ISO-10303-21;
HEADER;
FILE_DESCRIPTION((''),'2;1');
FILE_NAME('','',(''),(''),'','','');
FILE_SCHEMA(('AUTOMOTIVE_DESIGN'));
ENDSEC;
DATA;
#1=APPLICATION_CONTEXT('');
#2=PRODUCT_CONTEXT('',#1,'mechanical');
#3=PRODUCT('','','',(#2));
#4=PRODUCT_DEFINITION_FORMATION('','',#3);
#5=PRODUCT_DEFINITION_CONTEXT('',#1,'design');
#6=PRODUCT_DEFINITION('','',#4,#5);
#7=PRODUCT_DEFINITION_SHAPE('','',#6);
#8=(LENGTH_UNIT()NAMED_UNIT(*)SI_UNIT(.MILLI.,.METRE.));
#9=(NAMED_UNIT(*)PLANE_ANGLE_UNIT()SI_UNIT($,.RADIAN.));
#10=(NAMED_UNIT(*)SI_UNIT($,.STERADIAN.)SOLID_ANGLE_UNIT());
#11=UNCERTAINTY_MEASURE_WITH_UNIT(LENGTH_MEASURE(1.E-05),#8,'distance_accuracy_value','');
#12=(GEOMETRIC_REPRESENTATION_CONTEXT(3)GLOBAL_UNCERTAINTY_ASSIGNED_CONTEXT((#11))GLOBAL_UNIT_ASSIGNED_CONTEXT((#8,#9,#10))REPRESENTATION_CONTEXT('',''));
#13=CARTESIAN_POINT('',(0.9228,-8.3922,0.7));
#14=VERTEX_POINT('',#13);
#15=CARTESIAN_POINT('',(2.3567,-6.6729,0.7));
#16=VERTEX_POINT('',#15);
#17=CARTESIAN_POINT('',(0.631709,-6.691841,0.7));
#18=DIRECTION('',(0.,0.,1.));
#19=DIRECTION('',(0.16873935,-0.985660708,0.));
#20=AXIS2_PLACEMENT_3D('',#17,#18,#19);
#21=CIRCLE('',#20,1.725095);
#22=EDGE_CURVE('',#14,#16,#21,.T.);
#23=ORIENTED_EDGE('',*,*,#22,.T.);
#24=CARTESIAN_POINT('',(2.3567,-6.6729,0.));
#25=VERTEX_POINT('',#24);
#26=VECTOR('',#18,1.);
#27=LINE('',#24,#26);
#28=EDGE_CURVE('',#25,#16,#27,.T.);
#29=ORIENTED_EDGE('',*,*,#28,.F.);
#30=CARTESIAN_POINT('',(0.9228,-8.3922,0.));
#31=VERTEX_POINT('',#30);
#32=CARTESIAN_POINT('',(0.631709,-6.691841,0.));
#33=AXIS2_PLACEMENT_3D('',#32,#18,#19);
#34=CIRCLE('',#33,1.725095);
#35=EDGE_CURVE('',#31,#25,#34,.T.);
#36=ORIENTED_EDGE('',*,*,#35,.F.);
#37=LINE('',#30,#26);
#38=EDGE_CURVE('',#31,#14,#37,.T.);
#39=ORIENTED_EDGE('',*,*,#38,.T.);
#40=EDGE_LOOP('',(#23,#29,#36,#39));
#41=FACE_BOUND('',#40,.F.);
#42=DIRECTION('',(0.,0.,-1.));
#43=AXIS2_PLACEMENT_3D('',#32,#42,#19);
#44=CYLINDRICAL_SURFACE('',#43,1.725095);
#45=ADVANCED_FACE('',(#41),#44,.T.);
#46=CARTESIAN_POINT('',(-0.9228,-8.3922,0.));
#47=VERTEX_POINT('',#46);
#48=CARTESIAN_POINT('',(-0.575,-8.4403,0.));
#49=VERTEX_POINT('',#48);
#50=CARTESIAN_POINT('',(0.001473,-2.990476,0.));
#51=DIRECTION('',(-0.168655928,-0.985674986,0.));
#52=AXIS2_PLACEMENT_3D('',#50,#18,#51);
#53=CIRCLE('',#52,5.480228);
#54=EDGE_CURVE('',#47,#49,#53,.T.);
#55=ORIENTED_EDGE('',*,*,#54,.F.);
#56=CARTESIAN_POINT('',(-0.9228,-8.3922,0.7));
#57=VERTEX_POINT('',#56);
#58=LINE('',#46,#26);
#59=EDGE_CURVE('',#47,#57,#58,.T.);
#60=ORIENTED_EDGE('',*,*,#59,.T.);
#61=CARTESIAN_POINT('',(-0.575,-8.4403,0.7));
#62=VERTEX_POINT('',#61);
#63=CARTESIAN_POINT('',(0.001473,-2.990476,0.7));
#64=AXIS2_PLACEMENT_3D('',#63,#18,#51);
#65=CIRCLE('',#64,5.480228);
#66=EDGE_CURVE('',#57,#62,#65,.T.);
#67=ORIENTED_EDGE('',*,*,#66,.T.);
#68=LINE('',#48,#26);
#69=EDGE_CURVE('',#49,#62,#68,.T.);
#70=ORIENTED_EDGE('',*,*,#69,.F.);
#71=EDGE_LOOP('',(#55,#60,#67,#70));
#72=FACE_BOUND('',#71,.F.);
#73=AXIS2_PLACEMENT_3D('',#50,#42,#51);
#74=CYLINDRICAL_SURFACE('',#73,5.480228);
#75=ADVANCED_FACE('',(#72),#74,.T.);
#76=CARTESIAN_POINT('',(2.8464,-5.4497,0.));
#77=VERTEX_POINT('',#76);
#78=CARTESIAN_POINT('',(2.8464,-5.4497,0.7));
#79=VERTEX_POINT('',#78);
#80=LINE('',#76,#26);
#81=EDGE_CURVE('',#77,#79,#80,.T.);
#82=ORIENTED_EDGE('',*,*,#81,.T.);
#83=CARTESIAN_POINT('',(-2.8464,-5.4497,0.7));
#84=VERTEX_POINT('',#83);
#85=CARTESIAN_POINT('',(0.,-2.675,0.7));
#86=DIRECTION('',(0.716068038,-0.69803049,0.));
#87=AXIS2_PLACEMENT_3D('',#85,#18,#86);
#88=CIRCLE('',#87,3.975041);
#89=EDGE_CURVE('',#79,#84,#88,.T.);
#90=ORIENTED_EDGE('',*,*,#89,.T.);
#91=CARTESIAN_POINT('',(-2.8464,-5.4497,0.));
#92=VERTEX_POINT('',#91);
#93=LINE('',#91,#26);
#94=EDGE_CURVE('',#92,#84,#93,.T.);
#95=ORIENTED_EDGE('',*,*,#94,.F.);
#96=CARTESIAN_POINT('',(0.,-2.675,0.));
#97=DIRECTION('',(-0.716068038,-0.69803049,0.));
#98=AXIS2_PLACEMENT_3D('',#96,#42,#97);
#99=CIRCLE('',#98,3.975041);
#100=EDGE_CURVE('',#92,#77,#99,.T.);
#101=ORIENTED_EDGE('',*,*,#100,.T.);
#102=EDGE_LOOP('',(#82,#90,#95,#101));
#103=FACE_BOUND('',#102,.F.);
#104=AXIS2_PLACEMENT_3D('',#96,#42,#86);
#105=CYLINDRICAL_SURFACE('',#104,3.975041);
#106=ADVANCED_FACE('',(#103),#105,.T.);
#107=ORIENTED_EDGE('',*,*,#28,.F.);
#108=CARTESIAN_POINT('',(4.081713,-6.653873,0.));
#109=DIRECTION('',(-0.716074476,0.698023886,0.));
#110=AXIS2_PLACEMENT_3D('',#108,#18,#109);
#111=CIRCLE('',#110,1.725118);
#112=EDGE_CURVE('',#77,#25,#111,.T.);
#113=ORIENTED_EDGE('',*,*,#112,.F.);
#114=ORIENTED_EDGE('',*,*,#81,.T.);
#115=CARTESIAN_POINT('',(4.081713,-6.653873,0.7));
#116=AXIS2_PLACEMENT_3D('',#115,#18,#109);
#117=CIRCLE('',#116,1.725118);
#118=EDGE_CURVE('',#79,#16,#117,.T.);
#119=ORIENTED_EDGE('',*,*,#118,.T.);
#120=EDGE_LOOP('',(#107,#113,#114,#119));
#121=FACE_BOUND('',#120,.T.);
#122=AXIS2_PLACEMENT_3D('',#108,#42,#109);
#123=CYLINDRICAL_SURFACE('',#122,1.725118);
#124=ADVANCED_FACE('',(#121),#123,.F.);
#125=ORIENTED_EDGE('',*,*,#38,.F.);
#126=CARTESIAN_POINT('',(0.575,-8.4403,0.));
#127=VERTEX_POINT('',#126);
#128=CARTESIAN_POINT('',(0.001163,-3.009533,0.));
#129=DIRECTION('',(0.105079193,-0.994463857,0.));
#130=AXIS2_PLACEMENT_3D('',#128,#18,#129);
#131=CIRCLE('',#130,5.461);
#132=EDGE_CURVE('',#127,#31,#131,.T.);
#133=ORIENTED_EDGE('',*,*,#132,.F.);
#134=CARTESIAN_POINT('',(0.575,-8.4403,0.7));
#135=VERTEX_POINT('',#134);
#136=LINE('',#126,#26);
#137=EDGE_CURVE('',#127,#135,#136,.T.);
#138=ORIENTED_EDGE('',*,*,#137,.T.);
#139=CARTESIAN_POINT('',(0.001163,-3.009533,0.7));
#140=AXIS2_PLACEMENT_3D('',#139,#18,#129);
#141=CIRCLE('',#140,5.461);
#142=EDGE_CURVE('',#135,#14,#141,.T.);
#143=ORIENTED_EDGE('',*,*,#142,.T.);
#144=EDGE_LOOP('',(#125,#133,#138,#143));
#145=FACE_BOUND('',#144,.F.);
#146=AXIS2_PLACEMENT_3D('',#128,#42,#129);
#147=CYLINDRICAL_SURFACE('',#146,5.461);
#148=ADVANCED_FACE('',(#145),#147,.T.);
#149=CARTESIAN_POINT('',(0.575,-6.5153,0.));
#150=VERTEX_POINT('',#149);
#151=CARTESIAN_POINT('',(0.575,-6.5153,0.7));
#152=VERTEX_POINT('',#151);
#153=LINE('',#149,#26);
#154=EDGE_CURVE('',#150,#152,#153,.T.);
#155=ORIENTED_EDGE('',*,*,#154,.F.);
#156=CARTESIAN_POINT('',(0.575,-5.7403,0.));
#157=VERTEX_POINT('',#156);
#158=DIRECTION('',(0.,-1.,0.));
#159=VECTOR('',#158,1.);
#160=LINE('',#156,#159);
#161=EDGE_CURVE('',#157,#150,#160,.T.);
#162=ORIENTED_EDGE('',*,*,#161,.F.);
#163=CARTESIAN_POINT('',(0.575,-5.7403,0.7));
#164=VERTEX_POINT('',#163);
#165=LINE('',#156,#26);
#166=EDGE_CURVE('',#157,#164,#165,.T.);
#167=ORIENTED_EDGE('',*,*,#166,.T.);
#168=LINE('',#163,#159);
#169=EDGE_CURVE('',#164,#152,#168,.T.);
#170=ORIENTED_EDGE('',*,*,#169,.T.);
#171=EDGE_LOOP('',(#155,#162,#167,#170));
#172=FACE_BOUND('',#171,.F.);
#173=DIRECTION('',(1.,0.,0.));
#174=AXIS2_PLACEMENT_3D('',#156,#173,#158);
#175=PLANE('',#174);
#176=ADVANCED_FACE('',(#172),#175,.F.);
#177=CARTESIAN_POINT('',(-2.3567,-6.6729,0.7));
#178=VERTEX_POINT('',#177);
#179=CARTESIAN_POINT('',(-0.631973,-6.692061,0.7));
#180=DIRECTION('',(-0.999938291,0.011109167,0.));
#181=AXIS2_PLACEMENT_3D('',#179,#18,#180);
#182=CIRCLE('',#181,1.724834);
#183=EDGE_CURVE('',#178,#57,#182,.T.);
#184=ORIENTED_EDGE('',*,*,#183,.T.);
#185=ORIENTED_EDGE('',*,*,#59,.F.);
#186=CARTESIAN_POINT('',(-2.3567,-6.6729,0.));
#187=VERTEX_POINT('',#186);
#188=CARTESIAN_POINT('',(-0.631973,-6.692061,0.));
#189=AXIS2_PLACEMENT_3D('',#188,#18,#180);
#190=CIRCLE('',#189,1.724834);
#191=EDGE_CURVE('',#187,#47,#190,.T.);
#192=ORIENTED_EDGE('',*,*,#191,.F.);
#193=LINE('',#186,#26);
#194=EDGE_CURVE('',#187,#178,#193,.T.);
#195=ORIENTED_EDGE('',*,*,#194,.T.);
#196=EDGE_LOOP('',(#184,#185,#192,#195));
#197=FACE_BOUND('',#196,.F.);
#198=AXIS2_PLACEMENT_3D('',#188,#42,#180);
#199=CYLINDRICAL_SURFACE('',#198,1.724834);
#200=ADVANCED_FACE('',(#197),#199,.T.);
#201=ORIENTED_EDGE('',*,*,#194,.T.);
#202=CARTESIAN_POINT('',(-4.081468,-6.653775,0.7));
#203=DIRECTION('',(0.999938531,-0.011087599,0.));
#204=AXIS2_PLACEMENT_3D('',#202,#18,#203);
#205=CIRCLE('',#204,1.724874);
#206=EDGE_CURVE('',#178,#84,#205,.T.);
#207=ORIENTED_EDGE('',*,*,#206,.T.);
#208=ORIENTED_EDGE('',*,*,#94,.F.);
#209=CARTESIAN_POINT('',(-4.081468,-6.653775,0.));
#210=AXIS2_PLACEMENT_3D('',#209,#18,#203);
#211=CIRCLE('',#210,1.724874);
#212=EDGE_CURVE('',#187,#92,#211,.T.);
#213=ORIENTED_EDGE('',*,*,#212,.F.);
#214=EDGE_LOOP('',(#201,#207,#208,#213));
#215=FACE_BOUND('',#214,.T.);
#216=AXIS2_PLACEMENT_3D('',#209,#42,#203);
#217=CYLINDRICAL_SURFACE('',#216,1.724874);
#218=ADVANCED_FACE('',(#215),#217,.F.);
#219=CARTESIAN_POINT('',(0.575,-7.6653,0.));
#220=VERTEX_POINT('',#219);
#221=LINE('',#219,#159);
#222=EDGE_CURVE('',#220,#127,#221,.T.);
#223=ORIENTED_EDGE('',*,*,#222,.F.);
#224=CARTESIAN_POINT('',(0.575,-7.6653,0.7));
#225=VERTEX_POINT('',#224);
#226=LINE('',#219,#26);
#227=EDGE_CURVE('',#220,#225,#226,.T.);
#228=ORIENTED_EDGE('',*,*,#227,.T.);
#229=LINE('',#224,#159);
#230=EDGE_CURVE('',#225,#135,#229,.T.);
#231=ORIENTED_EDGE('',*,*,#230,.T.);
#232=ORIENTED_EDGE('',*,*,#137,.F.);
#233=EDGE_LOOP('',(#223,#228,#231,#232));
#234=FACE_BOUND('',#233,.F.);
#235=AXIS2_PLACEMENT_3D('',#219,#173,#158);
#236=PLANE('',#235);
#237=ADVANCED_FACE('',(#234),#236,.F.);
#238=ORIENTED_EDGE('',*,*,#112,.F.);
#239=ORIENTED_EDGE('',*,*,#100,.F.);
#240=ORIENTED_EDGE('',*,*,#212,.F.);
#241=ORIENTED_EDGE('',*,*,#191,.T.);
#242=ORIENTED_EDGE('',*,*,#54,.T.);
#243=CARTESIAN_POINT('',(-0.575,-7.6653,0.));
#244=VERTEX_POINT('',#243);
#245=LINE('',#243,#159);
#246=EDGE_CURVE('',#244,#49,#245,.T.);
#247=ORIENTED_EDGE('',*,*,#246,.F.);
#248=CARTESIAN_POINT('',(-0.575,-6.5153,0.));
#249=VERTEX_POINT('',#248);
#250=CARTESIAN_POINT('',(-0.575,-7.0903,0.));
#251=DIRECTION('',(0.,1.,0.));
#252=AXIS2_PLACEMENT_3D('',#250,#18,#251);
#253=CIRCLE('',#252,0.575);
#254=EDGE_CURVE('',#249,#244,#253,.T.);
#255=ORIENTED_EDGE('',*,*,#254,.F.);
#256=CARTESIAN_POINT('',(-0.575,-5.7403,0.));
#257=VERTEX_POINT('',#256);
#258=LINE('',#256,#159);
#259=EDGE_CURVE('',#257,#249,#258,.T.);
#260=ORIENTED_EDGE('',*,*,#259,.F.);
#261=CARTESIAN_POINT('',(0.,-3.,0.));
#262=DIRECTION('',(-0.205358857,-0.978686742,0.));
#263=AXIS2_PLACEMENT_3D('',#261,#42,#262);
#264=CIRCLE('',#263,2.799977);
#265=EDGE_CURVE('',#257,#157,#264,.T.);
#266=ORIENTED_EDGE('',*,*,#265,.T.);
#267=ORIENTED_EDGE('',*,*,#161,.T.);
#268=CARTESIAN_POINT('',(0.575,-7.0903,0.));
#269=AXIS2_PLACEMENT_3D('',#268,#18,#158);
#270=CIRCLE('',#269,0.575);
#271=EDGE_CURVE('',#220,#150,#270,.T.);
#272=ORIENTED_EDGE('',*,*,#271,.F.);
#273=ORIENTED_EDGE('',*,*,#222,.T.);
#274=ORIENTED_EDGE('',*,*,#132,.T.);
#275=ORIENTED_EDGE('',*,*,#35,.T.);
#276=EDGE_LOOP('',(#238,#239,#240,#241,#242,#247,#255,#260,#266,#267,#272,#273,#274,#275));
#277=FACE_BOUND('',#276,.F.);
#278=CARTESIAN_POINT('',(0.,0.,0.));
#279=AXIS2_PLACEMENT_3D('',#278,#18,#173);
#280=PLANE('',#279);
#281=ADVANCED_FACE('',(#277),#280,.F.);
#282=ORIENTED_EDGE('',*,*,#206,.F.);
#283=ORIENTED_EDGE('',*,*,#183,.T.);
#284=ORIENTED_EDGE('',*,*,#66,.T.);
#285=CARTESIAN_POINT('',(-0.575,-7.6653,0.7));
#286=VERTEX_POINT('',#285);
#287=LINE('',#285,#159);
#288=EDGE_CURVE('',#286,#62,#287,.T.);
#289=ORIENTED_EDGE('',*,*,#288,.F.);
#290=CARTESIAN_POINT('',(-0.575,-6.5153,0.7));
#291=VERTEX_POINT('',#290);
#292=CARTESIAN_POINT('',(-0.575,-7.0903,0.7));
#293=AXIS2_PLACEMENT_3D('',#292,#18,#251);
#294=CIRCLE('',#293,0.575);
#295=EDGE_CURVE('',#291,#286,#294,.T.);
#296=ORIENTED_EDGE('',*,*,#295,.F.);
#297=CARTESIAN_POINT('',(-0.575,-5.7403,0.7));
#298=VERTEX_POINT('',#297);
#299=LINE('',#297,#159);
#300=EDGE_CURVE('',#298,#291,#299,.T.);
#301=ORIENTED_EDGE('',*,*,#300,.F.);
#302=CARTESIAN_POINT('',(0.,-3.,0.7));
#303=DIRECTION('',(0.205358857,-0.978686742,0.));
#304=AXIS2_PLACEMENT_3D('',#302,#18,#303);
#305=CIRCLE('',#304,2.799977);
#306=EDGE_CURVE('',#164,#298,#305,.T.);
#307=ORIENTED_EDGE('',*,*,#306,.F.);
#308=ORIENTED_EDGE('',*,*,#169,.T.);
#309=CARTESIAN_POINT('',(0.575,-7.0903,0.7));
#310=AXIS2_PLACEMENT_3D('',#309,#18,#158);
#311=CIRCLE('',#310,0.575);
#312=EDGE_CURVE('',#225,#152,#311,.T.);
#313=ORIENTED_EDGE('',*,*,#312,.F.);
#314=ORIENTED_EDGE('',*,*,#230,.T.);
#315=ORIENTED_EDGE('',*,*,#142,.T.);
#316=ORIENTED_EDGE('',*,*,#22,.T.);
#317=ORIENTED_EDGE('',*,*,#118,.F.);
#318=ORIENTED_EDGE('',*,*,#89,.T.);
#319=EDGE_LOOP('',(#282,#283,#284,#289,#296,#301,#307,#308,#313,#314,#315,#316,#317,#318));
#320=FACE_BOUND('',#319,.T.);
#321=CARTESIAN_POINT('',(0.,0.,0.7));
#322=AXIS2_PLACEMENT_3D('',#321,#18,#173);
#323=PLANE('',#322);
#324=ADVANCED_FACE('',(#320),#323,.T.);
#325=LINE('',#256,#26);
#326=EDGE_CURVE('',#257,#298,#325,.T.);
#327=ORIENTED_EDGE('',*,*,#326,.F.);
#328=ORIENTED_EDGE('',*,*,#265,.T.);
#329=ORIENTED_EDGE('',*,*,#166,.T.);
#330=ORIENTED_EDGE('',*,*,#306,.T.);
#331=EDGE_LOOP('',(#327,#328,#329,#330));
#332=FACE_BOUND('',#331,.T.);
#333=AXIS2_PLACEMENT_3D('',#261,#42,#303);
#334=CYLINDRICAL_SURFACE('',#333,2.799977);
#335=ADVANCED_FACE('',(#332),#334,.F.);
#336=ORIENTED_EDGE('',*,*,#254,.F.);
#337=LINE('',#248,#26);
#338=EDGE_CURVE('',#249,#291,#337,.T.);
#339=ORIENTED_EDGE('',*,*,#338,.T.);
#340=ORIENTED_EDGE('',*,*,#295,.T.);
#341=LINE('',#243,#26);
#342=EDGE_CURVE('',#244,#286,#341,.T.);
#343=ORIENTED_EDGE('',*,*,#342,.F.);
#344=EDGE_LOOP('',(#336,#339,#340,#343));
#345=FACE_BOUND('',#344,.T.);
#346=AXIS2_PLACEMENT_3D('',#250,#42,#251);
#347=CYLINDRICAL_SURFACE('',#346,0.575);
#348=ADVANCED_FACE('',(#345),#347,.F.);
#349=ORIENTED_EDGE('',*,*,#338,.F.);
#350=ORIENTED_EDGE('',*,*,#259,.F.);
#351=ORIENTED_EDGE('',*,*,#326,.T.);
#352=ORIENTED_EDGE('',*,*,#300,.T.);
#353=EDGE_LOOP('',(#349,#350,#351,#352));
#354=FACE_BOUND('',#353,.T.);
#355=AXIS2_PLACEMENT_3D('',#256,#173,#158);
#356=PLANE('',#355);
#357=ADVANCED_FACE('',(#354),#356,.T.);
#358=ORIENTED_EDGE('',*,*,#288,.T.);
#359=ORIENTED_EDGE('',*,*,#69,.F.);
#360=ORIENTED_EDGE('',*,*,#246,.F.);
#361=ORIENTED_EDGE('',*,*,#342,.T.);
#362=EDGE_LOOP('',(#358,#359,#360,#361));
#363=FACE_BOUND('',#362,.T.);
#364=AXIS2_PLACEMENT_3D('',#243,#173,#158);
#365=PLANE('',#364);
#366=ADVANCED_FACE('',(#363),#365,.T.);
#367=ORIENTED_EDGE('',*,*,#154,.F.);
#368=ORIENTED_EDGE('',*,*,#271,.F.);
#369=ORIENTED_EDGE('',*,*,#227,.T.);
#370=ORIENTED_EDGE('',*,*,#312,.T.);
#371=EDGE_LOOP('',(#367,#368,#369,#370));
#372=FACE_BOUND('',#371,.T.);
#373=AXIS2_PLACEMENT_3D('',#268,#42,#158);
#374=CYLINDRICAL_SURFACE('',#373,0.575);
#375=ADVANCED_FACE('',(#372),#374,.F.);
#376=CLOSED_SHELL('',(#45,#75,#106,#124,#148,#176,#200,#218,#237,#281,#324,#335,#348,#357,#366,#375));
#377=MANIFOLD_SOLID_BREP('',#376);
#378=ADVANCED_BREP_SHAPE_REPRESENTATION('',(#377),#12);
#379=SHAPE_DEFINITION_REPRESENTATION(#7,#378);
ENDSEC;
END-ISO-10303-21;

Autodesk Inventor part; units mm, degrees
ref_plane "YZ Plane" through (0, 0, 0) normal (1, 0, 0) x (0, 1, 0)
ref_plane "XZ Plane" through (0, 0, 0) normal (0, 1, 0) x (-1, 0, 0)
sketch "Эскиз1" plane through (0, 0, 0) normal (0, 0, 1) x (1, 0, 0)
  line L0 (-6, 0) -> (6, 0) construction
  arc A0 (0.575, -5.7403) -> (-0.575, -5.7403) centre (0, -3) ccw
  line L1 (0, 4.8751) -> (0, -17.3507) projected
  line L2 (-8.435, 0) -> (8.435, 0) projected
  arc A1 (-0.575, -6.5153) -> (-0.575, -7.6653) centre (-0.575, -7.0903) ccw
  line L3 (-0.575, -5.7403) -> (-0.575, -6.5153)
  line L4 (-0.575, -7.6653) -> (-0.575, -8.4403)
  line L5 (-0.575, -6.5402) -> (-0.575, -13.29) construction
  line L6 (-2.7947, 1.3) -> (3.6722, 1.3) construction
  circle A2 centre (-0.575, -7.0903) radius 1.725 construction
  line L7 (0, -3) -> (-6.3375, -12.8769) construction
  arc A3 (2.8464, -5.4497) -> (-2.8464, -5.4497) centre (0, -2.675) ccw
  arc A4 (-0.9228, -8.3922) -> (-0.575, -8.4403) centre (0, -3) ccw
  arc A5 (-2.3567, -6.6729) -> (-0.9228, -8.3922) centre (-0.6318, -6.692) ccw
  arc A6 (-2.3567, -6.6729) -> (-2.8464, -5.4497) centre (-4.0816, -6.6538) ccw
  arc A7 (0.575, -7.6653) -> (0.575, -6.5153) centre (0.575, -7.0903) ccw
  line L8 (0.575, -5.7403) -> (0.575, -6.5153)
  line L9 (0.575, -7.6653) -> (0.575, -8.4403)
  line L10 (0.575, -6.5402) -> (0.575, -13.29) construction
  arc A8 (0.575, -8.4403) -> (0.9228, -8.3922) centre (0, -3) ccw
  arc A9 (0.9228, -8.3922) -> (2.3567, -6.6729) centre (0.6318, -6.692) ccw
  arc A10 (2.8464, -5.4497) -> (2.3567, -6.6729) centre (4.0816, -6.6538) ccw
  dimension "d1" = 6
  dimension "d0" = 5.6
  dimension "d2" = 2.7
  dimension "d3" = 0.575
  dimension "d8" = 0.575
  dimension "d9" = 1.35
  dimension "d10" = 1.3
  dimension "d11" = 3.45
  dimension "d12" = 0.325
  dimension "d13" = 1.725
  dimension "d14" = 1.725
extrude "Базовый элемент" add sketch "Эскиз1" along normal blind 0.7
ref_plane "Work Plane1" through (0, -3, 0) normal (-1, 0, 0) x (0, 0, 1)
equation "\"d1\" = WD"
equation "\"d0\" = ND"
equation "\"d2\" = SRB2"
equation "\"d3\" = 0.5 * SD5"
equation "\"d8\" = 0.5 * SD5"
equation "\"d9\" = 0.5 * SRB2"
equation "\"d10\" = SRB1"
equation "\"d11\" = 3 * SD5"
equation "\"d12\" = 0.25 * SRB1"
equation "\"d13\" = 1.5 * SD5"
equation "\"d14\" = 1.5 * SD5"
equation "\"d4\" = SD"
equation "\"WD\" = WDMIN"
equation "\"SD\" = 0.7"
equation "\"SRB1\" = 1.3"
equation "\"ND\" = 5.6"
equation "\"SRB2\" = 2.7"
equation "\"SD5\" = 1.15"
equation "\"WDMIN\" = 6"
equation "\"SD3\" = 5.4"
equation "\"WDMAX\" = 7"
equation "\"SNB\" = 0.8"
equation "\"BUBRMI\" = 0.6"
properties part number "Кольцо C6 ГОСТ 13942-86" material "Сталь, мягкая"
